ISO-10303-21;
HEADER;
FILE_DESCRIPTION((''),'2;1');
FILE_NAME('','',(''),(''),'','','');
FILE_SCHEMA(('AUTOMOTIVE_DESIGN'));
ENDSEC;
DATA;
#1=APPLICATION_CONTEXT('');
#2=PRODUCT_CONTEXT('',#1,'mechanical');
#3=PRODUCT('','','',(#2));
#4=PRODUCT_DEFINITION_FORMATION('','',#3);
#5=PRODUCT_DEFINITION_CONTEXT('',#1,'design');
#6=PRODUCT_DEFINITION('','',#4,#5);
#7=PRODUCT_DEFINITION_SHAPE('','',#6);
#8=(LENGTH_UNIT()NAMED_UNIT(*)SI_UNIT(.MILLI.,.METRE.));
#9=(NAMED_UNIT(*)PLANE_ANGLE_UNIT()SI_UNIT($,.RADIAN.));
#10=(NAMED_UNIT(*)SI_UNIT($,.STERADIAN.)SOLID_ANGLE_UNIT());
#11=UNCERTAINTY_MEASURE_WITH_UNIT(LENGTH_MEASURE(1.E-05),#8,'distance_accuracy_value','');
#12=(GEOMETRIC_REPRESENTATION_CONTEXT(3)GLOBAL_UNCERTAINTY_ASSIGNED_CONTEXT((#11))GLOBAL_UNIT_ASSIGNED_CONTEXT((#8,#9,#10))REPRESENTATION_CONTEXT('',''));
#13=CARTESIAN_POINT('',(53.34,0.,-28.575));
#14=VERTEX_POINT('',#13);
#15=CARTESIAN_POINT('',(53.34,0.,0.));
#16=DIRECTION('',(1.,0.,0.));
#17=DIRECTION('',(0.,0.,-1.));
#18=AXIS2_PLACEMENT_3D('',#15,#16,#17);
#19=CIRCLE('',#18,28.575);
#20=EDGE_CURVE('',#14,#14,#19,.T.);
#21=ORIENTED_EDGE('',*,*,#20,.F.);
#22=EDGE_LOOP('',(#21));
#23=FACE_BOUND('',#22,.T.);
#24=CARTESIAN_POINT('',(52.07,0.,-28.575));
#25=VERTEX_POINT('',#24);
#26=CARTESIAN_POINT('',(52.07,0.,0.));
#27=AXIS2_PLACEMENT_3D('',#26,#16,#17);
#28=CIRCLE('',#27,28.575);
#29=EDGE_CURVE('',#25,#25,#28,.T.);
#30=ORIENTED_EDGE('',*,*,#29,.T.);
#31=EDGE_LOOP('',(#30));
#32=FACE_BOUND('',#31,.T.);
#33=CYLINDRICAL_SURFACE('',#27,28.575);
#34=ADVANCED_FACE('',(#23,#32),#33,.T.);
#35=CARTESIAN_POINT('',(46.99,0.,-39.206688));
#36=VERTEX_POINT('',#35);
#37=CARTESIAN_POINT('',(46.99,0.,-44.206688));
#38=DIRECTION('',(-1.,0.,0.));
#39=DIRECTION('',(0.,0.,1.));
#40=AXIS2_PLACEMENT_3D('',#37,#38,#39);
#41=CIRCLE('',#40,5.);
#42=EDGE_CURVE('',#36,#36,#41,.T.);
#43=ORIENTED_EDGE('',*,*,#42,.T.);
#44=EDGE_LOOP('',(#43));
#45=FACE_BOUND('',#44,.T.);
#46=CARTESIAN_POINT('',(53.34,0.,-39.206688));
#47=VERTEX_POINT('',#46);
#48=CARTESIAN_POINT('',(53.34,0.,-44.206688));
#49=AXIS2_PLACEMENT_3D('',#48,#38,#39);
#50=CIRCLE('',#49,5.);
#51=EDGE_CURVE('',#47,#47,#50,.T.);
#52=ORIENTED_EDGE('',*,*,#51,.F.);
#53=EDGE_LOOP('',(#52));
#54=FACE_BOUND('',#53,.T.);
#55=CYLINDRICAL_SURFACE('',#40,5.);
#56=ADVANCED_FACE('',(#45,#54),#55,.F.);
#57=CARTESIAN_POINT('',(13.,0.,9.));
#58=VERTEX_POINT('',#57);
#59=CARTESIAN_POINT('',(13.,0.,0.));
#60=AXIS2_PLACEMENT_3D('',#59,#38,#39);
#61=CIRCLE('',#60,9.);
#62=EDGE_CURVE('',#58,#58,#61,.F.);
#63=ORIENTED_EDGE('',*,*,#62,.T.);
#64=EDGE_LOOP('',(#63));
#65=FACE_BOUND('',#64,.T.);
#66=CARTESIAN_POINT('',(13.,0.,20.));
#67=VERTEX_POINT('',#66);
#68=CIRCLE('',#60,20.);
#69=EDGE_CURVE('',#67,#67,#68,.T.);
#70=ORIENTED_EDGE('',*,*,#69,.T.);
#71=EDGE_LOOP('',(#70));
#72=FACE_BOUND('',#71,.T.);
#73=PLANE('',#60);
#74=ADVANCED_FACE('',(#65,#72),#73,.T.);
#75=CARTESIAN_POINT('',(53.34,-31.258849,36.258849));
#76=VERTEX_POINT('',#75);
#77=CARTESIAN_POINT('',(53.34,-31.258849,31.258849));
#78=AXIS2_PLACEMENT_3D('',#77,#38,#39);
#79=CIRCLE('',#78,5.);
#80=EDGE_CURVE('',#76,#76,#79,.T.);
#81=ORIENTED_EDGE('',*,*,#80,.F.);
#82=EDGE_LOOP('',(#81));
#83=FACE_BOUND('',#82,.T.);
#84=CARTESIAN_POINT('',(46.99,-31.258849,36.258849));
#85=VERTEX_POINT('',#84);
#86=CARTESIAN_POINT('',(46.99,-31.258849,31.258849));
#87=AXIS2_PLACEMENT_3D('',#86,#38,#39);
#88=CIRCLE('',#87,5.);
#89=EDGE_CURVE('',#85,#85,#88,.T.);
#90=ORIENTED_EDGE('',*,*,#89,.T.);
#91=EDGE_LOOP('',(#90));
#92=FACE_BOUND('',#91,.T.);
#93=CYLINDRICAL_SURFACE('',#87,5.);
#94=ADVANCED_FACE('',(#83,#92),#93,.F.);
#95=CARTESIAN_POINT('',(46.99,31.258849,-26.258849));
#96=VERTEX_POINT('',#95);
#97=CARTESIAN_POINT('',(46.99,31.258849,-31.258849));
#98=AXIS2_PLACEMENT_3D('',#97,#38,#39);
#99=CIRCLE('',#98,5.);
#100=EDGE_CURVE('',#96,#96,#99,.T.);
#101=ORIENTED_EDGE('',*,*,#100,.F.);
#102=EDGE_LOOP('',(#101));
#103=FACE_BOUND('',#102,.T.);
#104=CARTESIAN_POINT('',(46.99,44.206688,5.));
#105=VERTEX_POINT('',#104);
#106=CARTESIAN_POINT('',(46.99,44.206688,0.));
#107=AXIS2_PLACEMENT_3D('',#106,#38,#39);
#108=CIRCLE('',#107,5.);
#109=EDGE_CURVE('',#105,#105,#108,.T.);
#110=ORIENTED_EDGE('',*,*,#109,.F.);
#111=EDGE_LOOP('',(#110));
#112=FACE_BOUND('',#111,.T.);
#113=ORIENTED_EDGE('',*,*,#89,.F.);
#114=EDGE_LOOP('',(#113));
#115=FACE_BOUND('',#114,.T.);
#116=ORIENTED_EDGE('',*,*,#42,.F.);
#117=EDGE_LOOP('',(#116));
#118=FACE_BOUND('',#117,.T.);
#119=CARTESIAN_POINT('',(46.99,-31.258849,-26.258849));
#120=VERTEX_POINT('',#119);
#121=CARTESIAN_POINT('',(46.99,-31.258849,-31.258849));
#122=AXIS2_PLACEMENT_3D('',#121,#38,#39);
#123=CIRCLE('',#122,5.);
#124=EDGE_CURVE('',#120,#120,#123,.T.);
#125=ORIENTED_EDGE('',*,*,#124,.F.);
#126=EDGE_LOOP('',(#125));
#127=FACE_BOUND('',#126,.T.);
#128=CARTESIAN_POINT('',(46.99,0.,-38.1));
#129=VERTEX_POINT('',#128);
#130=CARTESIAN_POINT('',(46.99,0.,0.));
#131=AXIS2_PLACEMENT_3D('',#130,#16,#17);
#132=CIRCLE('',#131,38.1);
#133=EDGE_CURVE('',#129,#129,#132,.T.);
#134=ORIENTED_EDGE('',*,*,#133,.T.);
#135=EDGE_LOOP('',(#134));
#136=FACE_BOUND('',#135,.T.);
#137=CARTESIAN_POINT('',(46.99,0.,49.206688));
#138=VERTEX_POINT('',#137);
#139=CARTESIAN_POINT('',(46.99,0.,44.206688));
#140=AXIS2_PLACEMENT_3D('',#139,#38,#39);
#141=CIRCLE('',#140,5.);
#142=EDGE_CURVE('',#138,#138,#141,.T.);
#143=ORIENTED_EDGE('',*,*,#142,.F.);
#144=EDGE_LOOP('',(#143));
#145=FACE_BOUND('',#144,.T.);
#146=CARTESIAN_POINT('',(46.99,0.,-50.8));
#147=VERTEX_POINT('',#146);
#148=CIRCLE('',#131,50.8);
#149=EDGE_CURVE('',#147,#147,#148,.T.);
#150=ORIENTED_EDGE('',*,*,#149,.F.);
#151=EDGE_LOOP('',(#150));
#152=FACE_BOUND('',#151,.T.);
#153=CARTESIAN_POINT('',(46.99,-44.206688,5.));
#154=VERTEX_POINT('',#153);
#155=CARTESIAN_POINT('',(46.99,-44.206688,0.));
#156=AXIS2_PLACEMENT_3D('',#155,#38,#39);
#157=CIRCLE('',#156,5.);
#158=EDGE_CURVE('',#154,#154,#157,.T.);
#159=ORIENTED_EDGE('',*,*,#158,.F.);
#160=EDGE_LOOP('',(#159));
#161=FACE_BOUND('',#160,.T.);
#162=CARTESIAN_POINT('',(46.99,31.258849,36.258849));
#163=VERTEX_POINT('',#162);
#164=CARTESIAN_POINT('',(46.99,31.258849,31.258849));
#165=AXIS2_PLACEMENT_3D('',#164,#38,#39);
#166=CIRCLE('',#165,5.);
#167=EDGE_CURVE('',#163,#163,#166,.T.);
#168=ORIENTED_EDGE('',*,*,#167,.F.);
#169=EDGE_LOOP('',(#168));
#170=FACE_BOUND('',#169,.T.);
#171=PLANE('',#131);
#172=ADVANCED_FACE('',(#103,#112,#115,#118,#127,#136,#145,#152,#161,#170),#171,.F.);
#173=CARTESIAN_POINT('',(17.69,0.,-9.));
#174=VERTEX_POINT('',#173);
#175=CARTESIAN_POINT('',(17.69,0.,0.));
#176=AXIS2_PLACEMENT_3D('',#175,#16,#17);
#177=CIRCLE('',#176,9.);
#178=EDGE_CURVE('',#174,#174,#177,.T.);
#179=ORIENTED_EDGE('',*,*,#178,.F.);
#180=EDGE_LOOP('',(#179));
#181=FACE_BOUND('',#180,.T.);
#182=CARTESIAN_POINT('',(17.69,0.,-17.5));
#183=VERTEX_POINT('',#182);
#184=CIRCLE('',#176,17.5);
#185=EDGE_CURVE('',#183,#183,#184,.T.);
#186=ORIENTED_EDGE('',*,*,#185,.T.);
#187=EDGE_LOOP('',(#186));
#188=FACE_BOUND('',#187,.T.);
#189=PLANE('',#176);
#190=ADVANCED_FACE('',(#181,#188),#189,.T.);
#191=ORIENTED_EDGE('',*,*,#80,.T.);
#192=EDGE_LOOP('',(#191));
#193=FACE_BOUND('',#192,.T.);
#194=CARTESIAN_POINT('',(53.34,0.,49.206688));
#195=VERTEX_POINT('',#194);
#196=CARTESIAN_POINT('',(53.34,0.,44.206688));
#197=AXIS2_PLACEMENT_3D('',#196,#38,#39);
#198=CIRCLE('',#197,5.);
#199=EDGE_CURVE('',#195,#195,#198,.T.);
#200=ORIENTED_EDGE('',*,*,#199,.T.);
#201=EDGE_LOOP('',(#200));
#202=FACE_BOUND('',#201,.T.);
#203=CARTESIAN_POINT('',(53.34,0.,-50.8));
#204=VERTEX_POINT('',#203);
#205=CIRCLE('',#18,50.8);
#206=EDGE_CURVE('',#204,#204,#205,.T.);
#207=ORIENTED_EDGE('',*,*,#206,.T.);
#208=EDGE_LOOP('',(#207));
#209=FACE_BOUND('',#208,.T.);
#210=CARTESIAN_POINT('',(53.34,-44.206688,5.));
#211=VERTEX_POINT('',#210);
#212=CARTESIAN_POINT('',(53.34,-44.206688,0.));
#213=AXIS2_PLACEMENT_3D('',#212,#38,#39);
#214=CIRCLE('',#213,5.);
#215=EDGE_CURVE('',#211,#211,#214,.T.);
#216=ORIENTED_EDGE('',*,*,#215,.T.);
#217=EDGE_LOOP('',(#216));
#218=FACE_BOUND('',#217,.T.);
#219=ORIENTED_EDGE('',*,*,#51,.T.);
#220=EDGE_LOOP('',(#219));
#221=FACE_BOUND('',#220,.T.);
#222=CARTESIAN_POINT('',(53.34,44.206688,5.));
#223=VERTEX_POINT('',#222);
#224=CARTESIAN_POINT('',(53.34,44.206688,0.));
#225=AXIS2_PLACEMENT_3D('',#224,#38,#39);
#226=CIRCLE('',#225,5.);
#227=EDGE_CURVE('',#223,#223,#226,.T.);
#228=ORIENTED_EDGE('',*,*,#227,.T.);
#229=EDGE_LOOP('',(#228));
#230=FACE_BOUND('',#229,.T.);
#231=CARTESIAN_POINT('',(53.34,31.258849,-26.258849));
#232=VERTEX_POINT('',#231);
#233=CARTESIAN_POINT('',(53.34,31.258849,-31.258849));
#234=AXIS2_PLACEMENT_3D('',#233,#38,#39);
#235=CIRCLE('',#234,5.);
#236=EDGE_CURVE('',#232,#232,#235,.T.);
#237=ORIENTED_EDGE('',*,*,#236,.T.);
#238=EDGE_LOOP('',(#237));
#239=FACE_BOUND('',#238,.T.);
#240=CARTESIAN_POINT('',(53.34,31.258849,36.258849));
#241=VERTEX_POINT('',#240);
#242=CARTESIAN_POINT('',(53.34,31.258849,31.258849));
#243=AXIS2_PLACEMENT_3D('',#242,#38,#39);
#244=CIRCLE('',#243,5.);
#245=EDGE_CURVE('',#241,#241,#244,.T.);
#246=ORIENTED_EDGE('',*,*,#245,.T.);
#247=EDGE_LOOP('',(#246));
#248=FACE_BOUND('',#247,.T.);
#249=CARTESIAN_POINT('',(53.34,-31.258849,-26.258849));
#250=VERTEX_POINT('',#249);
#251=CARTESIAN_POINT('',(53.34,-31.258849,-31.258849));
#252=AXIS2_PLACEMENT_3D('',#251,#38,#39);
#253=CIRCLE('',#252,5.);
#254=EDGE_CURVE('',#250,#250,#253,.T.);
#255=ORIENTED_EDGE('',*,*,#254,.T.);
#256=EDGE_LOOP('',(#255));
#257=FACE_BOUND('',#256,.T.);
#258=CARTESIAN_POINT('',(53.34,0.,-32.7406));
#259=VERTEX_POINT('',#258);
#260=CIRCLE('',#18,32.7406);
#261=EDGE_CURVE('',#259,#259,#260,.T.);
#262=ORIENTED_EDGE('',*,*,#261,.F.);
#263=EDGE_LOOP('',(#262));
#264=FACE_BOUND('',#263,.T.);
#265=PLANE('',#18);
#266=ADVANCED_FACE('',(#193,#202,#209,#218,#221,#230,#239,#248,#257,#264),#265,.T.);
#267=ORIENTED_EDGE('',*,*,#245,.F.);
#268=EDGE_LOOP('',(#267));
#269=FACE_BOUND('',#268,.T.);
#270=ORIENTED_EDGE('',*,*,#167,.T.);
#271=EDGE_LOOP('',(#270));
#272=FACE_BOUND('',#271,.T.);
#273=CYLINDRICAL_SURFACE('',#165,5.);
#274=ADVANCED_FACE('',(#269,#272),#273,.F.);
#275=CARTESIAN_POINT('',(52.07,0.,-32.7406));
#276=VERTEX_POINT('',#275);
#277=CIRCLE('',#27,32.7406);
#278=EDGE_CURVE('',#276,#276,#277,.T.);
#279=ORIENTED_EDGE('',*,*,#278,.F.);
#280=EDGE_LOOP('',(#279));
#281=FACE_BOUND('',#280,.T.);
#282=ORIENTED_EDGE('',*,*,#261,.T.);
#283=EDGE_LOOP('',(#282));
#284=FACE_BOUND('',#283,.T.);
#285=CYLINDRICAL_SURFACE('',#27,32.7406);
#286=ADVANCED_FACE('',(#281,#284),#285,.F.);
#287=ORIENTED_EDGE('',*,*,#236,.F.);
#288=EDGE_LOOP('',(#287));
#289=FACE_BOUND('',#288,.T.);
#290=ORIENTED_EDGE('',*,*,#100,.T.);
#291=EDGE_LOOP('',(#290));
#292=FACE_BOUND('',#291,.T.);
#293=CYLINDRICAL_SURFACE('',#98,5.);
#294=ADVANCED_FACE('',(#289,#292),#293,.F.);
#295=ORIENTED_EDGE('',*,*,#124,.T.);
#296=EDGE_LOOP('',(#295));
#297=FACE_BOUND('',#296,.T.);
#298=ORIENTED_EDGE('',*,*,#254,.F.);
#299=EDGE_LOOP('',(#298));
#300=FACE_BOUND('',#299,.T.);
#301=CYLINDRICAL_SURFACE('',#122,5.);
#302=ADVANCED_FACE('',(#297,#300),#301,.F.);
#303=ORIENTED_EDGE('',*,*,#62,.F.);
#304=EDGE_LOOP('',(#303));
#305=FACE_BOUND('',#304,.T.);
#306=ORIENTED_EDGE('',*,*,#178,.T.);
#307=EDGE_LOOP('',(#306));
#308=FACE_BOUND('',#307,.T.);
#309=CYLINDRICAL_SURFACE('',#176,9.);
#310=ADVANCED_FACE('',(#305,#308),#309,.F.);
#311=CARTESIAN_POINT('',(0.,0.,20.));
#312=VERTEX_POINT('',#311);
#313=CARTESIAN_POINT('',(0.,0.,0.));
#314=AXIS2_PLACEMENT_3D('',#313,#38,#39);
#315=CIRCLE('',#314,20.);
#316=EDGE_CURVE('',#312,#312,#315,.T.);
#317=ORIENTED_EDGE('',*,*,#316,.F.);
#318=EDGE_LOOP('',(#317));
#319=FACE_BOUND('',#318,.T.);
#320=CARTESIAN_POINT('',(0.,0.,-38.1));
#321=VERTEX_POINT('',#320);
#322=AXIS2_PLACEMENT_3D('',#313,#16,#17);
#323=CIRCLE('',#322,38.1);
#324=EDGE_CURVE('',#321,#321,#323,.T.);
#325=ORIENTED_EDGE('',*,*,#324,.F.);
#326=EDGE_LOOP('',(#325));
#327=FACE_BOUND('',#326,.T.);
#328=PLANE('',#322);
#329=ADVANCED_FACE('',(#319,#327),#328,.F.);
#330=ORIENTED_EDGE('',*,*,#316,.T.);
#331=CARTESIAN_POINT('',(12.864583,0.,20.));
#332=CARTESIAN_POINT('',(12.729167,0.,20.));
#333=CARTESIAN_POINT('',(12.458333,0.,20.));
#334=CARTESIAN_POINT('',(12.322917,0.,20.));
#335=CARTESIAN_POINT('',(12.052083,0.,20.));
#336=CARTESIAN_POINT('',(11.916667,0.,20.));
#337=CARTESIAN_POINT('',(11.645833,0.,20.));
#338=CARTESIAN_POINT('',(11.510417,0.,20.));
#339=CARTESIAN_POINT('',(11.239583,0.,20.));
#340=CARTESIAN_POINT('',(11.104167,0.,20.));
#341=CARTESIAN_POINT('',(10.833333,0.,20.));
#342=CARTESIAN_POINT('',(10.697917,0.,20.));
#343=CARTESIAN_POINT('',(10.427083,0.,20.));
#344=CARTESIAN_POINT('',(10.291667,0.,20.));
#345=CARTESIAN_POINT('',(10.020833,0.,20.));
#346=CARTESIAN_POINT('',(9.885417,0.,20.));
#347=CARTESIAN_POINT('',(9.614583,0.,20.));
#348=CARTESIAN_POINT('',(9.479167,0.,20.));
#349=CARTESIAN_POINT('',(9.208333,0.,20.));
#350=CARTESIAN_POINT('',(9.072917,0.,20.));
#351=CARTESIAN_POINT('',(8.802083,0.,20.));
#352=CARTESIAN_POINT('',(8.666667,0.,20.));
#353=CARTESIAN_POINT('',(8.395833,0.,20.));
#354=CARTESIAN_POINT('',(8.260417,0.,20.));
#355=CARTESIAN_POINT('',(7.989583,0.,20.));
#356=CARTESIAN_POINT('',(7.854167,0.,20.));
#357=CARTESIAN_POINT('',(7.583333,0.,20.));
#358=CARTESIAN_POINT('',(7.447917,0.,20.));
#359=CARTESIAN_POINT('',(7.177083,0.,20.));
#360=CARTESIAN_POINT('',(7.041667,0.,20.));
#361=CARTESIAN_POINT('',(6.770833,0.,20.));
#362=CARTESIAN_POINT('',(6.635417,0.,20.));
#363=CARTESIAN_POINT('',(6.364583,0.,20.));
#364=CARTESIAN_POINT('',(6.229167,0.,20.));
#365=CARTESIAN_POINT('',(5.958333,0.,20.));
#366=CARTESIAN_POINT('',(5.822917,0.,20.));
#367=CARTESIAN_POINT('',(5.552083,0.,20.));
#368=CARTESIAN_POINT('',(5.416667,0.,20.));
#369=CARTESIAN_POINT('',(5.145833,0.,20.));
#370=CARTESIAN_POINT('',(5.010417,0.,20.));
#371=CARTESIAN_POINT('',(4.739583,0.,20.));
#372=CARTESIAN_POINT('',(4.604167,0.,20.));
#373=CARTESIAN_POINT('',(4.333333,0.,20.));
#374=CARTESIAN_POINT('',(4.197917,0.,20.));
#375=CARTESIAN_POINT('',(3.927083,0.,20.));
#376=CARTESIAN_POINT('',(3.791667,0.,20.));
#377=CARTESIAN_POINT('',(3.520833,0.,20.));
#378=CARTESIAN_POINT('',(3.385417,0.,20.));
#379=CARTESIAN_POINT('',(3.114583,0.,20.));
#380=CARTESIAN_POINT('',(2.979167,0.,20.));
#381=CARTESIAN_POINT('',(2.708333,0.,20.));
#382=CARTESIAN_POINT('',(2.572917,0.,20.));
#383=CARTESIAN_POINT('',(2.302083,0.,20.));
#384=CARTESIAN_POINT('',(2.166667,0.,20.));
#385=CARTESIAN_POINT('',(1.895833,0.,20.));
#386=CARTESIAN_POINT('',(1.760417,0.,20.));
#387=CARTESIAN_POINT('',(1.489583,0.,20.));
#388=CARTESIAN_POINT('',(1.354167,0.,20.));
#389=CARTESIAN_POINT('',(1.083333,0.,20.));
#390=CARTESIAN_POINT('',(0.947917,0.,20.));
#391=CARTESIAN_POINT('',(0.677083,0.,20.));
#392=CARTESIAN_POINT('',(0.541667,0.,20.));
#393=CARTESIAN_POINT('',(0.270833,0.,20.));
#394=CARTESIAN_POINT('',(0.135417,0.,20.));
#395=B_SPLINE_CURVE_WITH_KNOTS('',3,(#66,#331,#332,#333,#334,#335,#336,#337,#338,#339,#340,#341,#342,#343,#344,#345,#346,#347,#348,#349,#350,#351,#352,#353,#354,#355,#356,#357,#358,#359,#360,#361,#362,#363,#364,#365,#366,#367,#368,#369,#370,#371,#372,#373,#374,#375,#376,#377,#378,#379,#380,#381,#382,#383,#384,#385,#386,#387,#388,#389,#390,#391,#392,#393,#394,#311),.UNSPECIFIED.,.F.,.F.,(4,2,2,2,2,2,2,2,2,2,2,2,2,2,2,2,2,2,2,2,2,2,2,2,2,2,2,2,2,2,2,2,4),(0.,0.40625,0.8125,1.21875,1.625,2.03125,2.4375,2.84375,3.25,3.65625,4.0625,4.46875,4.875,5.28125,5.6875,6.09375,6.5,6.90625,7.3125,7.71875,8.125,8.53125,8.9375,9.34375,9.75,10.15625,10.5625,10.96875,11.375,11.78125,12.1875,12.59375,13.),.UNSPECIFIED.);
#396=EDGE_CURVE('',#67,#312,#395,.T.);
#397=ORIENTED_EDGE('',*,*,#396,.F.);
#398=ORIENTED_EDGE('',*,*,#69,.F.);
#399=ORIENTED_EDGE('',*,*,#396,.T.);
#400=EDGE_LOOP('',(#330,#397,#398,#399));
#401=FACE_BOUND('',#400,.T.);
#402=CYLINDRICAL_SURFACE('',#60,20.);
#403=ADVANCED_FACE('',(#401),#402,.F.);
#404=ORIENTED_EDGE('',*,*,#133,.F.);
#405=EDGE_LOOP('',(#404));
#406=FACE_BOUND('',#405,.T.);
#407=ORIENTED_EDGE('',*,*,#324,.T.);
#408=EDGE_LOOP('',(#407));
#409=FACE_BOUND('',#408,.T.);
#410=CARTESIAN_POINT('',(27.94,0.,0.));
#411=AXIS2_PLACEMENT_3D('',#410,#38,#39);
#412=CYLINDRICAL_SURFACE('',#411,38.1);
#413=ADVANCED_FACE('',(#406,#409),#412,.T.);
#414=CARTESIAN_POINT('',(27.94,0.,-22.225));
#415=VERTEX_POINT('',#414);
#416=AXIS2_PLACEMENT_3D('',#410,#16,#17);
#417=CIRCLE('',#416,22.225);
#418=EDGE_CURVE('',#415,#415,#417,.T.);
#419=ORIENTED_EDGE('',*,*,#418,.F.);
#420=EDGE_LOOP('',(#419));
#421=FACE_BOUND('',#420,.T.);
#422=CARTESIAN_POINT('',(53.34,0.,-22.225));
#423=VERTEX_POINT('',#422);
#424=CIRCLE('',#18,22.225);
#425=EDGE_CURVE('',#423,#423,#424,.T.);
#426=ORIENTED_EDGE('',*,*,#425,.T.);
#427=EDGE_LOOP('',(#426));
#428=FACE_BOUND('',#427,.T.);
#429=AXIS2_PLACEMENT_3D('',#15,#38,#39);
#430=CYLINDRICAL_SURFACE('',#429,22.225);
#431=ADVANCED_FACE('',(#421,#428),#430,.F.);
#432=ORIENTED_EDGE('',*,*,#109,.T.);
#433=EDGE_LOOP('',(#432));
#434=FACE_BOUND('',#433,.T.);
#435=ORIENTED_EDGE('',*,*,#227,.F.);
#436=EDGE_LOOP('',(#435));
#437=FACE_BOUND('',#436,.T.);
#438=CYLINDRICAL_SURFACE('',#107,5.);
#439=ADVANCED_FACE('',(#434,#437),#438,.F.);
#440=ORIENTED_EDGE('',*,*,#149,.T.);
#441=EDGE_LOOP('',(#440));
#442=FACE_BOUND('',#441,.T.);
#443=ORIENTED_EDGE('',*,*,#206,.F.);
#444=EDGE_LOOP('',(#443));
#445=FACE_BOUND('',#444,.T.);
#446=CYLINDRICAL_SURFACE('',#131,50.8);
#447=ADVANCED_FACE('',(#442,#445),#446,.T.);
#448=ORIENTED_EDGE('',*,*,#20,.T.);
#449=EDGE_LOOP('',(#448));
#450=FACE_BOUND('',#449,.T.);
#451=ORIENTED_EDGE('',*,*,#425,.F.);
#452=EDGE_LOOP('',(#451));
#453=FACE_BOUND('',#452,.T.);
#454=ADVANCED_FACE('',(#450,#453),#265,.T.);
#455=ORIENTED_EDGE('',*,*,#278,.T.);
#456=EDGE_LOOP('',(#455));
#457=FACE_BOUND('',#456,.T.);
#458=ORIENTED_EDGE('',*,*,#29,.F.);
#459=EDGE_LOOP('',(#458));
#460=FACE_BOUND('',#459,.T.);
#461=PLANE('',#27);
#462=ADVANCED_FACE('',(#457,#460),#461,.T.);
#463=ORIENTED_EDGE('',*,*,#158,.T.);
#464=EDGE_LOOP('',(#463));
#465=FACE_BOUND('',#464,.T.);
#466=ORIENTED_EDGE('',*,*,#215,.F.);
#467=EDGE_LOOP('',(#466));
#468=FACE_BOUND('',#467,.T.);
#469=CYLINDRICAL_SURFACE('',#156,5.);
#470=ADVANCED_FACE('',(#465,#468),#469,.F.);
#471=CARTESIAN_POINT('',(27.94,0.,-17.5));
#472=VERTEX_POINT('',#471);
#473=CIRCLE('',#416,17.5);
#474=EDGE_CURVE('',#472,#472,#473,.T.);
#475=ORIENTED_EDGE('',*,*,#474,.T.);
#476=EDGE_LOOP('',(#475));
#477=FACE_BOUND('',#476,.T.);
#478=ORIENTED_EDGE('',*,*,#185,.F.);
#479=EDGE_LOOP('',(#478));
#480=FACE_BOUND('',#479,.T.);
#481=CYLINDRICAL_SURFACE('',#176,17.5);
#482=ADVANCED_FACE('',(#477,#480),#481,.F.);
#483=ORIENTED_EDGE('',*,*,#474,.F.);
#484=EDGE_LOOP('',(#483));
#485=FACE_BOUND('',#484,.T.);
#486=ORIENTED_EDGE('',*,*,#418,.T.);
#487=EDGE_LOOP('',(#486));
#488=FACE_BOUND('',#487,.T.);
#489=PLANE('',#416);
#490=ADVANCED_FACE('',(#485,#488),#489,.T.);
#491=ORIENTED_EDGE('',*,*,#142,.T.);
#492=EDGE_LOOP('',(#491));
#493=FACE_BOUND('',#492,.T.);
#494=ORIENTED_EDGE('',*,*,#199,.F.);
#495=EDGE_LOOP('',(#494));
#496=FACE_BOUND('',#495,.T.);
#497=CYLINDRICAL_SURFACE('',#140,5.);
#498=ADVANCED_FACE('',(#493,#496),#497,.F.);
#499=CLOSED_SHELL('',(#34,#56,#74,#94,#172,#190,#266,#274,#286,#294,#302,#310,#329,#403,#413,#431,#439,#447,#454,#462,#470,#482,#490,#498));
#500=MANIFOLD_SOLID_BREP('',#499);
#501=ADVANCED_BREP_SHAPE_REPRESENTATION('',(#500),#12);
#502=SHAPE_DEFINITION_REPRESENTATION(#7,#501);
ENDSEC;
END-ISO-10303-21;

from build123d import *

# Parameters (mm, degrees)
SKETCH1_R                 = 38.1
MAIN_BODY_DEPTH           = 27.94
SKETCH2_R                 = 17.5
STATIC_SEAL_HOLE_DEPTH    = 10.25
SHAFT_HOLE_D              = 18
SKETCH14_R                = 38.1
SKETCH14_R_2              = 22.225
ROTATING_SEAL_SPACE_DEPTH = 25.4
FACE_START                = -6.35
SKETCH7_R                 = 50.8
SKETCH7_R_2               = 22.225
FACE_JOINT_DEPTH          = 6.35
SKETCH8_R                 = 20
BEARING_HOLE_DEPTH        = 13
SCREW_HOLES_D             = 10
SKETCH16_R                = 32.7406
SKETCH16_R_2              = 28.575
GASKET_RING_DEPTH         = 1.27


with BuildPart() as part:
    # Sketch1 → main body (new body)
    with BuildSketch(Plane(origin=(0, 0, 0), x_dir=(0, 0, -1), z_dir=(1, 0, 0))):
        Circle(SKETCH1_R)
    extrude(amount=MAIN_BODY_DEPTH)

    # Sketch2 → Static Seal Hole (cut)
    with BuildSketch(Plane(origin=(27.94, 0, 0), x_dir=(0, 0, -1), z_dir=(1, 0, 0))):
        Circle(SKETCH2_R)
    extrude(amount=-STATIC_SEAL_HOLE_DEPTH, mode=Mode.SUBTRACT)

    # Shaft hole (through all)
    with Locations(Plane(origin=(17.69, 0, 0), x_dir=(0, 0, -1), z_dir=(1, 0, 0))):
        with Locations((0, 0)):
            Hole(SHAFT_HOLE_D / 2)

    # Sketch14 → rotating seal space (add)
    with BuildSketch(Plane(origin=(27.94, 0, 0), x_dir=(0, 0, -1), z_dir=(1, 0, 0))):
        Circle(SKETCH14_R)
        Circle(SKETCH14_R_2, mode=Mode.SUBTRACT)
    extrude(amount=ROTATING_SEAL_SPACE_DEPTH)

    # Sketch7 → face joint (add)
    with BuildSketch(Plane(origin=(53.34, 0, 0), x_dir=(0, 0, -1), z_dir=(1, 0, 0)).offset(FACE_START)):
        Circle(SKETCH7_R)
        Circle(SKETCH7_R_2, mode=Mode.SUBTRACT)
    extrude(amount=FACE_JOINT_DEPTH)

    # Sketch8 → bearing hole (cut)
    with BuildSketch(Plane.ZY):
        Circle(SKETCH8_R)
    extrude(amount=-BEARING_HOLE_DEPTH, mode=Mode.SUBTRACT)

    # Screw holes (through all)
    with Locations(Plane.ZY.offset(-46.99)):
        with Locations((-44.206688043, 0), (-31.258848889, 31.258848889), (0, 44.206688043), (31.258848889, 31.258848889), (44.206688043, 0), (31.258848889, -31.258848889), (0, -44.206688043), (-31.258848889, -31.258848889), (0, 0)):
            Hole(SCREW_HOLES_D / 2)

    # Sketch16 → Gasket ring (cut)
    with BuildSketch(Plane(origin=(53.34, 0, 0), x_dir=(0, 0, -1), z_dir=(1, 0, 0))):
        Circle(SKETCH16_R)
        Circle(SKETCH16_R_2, mode=Mode.SUBTRACT)
    extrude(amount=-GASKET_RING_DEPTH, mode=Mode.SUBTRACT)


solid = part.part
